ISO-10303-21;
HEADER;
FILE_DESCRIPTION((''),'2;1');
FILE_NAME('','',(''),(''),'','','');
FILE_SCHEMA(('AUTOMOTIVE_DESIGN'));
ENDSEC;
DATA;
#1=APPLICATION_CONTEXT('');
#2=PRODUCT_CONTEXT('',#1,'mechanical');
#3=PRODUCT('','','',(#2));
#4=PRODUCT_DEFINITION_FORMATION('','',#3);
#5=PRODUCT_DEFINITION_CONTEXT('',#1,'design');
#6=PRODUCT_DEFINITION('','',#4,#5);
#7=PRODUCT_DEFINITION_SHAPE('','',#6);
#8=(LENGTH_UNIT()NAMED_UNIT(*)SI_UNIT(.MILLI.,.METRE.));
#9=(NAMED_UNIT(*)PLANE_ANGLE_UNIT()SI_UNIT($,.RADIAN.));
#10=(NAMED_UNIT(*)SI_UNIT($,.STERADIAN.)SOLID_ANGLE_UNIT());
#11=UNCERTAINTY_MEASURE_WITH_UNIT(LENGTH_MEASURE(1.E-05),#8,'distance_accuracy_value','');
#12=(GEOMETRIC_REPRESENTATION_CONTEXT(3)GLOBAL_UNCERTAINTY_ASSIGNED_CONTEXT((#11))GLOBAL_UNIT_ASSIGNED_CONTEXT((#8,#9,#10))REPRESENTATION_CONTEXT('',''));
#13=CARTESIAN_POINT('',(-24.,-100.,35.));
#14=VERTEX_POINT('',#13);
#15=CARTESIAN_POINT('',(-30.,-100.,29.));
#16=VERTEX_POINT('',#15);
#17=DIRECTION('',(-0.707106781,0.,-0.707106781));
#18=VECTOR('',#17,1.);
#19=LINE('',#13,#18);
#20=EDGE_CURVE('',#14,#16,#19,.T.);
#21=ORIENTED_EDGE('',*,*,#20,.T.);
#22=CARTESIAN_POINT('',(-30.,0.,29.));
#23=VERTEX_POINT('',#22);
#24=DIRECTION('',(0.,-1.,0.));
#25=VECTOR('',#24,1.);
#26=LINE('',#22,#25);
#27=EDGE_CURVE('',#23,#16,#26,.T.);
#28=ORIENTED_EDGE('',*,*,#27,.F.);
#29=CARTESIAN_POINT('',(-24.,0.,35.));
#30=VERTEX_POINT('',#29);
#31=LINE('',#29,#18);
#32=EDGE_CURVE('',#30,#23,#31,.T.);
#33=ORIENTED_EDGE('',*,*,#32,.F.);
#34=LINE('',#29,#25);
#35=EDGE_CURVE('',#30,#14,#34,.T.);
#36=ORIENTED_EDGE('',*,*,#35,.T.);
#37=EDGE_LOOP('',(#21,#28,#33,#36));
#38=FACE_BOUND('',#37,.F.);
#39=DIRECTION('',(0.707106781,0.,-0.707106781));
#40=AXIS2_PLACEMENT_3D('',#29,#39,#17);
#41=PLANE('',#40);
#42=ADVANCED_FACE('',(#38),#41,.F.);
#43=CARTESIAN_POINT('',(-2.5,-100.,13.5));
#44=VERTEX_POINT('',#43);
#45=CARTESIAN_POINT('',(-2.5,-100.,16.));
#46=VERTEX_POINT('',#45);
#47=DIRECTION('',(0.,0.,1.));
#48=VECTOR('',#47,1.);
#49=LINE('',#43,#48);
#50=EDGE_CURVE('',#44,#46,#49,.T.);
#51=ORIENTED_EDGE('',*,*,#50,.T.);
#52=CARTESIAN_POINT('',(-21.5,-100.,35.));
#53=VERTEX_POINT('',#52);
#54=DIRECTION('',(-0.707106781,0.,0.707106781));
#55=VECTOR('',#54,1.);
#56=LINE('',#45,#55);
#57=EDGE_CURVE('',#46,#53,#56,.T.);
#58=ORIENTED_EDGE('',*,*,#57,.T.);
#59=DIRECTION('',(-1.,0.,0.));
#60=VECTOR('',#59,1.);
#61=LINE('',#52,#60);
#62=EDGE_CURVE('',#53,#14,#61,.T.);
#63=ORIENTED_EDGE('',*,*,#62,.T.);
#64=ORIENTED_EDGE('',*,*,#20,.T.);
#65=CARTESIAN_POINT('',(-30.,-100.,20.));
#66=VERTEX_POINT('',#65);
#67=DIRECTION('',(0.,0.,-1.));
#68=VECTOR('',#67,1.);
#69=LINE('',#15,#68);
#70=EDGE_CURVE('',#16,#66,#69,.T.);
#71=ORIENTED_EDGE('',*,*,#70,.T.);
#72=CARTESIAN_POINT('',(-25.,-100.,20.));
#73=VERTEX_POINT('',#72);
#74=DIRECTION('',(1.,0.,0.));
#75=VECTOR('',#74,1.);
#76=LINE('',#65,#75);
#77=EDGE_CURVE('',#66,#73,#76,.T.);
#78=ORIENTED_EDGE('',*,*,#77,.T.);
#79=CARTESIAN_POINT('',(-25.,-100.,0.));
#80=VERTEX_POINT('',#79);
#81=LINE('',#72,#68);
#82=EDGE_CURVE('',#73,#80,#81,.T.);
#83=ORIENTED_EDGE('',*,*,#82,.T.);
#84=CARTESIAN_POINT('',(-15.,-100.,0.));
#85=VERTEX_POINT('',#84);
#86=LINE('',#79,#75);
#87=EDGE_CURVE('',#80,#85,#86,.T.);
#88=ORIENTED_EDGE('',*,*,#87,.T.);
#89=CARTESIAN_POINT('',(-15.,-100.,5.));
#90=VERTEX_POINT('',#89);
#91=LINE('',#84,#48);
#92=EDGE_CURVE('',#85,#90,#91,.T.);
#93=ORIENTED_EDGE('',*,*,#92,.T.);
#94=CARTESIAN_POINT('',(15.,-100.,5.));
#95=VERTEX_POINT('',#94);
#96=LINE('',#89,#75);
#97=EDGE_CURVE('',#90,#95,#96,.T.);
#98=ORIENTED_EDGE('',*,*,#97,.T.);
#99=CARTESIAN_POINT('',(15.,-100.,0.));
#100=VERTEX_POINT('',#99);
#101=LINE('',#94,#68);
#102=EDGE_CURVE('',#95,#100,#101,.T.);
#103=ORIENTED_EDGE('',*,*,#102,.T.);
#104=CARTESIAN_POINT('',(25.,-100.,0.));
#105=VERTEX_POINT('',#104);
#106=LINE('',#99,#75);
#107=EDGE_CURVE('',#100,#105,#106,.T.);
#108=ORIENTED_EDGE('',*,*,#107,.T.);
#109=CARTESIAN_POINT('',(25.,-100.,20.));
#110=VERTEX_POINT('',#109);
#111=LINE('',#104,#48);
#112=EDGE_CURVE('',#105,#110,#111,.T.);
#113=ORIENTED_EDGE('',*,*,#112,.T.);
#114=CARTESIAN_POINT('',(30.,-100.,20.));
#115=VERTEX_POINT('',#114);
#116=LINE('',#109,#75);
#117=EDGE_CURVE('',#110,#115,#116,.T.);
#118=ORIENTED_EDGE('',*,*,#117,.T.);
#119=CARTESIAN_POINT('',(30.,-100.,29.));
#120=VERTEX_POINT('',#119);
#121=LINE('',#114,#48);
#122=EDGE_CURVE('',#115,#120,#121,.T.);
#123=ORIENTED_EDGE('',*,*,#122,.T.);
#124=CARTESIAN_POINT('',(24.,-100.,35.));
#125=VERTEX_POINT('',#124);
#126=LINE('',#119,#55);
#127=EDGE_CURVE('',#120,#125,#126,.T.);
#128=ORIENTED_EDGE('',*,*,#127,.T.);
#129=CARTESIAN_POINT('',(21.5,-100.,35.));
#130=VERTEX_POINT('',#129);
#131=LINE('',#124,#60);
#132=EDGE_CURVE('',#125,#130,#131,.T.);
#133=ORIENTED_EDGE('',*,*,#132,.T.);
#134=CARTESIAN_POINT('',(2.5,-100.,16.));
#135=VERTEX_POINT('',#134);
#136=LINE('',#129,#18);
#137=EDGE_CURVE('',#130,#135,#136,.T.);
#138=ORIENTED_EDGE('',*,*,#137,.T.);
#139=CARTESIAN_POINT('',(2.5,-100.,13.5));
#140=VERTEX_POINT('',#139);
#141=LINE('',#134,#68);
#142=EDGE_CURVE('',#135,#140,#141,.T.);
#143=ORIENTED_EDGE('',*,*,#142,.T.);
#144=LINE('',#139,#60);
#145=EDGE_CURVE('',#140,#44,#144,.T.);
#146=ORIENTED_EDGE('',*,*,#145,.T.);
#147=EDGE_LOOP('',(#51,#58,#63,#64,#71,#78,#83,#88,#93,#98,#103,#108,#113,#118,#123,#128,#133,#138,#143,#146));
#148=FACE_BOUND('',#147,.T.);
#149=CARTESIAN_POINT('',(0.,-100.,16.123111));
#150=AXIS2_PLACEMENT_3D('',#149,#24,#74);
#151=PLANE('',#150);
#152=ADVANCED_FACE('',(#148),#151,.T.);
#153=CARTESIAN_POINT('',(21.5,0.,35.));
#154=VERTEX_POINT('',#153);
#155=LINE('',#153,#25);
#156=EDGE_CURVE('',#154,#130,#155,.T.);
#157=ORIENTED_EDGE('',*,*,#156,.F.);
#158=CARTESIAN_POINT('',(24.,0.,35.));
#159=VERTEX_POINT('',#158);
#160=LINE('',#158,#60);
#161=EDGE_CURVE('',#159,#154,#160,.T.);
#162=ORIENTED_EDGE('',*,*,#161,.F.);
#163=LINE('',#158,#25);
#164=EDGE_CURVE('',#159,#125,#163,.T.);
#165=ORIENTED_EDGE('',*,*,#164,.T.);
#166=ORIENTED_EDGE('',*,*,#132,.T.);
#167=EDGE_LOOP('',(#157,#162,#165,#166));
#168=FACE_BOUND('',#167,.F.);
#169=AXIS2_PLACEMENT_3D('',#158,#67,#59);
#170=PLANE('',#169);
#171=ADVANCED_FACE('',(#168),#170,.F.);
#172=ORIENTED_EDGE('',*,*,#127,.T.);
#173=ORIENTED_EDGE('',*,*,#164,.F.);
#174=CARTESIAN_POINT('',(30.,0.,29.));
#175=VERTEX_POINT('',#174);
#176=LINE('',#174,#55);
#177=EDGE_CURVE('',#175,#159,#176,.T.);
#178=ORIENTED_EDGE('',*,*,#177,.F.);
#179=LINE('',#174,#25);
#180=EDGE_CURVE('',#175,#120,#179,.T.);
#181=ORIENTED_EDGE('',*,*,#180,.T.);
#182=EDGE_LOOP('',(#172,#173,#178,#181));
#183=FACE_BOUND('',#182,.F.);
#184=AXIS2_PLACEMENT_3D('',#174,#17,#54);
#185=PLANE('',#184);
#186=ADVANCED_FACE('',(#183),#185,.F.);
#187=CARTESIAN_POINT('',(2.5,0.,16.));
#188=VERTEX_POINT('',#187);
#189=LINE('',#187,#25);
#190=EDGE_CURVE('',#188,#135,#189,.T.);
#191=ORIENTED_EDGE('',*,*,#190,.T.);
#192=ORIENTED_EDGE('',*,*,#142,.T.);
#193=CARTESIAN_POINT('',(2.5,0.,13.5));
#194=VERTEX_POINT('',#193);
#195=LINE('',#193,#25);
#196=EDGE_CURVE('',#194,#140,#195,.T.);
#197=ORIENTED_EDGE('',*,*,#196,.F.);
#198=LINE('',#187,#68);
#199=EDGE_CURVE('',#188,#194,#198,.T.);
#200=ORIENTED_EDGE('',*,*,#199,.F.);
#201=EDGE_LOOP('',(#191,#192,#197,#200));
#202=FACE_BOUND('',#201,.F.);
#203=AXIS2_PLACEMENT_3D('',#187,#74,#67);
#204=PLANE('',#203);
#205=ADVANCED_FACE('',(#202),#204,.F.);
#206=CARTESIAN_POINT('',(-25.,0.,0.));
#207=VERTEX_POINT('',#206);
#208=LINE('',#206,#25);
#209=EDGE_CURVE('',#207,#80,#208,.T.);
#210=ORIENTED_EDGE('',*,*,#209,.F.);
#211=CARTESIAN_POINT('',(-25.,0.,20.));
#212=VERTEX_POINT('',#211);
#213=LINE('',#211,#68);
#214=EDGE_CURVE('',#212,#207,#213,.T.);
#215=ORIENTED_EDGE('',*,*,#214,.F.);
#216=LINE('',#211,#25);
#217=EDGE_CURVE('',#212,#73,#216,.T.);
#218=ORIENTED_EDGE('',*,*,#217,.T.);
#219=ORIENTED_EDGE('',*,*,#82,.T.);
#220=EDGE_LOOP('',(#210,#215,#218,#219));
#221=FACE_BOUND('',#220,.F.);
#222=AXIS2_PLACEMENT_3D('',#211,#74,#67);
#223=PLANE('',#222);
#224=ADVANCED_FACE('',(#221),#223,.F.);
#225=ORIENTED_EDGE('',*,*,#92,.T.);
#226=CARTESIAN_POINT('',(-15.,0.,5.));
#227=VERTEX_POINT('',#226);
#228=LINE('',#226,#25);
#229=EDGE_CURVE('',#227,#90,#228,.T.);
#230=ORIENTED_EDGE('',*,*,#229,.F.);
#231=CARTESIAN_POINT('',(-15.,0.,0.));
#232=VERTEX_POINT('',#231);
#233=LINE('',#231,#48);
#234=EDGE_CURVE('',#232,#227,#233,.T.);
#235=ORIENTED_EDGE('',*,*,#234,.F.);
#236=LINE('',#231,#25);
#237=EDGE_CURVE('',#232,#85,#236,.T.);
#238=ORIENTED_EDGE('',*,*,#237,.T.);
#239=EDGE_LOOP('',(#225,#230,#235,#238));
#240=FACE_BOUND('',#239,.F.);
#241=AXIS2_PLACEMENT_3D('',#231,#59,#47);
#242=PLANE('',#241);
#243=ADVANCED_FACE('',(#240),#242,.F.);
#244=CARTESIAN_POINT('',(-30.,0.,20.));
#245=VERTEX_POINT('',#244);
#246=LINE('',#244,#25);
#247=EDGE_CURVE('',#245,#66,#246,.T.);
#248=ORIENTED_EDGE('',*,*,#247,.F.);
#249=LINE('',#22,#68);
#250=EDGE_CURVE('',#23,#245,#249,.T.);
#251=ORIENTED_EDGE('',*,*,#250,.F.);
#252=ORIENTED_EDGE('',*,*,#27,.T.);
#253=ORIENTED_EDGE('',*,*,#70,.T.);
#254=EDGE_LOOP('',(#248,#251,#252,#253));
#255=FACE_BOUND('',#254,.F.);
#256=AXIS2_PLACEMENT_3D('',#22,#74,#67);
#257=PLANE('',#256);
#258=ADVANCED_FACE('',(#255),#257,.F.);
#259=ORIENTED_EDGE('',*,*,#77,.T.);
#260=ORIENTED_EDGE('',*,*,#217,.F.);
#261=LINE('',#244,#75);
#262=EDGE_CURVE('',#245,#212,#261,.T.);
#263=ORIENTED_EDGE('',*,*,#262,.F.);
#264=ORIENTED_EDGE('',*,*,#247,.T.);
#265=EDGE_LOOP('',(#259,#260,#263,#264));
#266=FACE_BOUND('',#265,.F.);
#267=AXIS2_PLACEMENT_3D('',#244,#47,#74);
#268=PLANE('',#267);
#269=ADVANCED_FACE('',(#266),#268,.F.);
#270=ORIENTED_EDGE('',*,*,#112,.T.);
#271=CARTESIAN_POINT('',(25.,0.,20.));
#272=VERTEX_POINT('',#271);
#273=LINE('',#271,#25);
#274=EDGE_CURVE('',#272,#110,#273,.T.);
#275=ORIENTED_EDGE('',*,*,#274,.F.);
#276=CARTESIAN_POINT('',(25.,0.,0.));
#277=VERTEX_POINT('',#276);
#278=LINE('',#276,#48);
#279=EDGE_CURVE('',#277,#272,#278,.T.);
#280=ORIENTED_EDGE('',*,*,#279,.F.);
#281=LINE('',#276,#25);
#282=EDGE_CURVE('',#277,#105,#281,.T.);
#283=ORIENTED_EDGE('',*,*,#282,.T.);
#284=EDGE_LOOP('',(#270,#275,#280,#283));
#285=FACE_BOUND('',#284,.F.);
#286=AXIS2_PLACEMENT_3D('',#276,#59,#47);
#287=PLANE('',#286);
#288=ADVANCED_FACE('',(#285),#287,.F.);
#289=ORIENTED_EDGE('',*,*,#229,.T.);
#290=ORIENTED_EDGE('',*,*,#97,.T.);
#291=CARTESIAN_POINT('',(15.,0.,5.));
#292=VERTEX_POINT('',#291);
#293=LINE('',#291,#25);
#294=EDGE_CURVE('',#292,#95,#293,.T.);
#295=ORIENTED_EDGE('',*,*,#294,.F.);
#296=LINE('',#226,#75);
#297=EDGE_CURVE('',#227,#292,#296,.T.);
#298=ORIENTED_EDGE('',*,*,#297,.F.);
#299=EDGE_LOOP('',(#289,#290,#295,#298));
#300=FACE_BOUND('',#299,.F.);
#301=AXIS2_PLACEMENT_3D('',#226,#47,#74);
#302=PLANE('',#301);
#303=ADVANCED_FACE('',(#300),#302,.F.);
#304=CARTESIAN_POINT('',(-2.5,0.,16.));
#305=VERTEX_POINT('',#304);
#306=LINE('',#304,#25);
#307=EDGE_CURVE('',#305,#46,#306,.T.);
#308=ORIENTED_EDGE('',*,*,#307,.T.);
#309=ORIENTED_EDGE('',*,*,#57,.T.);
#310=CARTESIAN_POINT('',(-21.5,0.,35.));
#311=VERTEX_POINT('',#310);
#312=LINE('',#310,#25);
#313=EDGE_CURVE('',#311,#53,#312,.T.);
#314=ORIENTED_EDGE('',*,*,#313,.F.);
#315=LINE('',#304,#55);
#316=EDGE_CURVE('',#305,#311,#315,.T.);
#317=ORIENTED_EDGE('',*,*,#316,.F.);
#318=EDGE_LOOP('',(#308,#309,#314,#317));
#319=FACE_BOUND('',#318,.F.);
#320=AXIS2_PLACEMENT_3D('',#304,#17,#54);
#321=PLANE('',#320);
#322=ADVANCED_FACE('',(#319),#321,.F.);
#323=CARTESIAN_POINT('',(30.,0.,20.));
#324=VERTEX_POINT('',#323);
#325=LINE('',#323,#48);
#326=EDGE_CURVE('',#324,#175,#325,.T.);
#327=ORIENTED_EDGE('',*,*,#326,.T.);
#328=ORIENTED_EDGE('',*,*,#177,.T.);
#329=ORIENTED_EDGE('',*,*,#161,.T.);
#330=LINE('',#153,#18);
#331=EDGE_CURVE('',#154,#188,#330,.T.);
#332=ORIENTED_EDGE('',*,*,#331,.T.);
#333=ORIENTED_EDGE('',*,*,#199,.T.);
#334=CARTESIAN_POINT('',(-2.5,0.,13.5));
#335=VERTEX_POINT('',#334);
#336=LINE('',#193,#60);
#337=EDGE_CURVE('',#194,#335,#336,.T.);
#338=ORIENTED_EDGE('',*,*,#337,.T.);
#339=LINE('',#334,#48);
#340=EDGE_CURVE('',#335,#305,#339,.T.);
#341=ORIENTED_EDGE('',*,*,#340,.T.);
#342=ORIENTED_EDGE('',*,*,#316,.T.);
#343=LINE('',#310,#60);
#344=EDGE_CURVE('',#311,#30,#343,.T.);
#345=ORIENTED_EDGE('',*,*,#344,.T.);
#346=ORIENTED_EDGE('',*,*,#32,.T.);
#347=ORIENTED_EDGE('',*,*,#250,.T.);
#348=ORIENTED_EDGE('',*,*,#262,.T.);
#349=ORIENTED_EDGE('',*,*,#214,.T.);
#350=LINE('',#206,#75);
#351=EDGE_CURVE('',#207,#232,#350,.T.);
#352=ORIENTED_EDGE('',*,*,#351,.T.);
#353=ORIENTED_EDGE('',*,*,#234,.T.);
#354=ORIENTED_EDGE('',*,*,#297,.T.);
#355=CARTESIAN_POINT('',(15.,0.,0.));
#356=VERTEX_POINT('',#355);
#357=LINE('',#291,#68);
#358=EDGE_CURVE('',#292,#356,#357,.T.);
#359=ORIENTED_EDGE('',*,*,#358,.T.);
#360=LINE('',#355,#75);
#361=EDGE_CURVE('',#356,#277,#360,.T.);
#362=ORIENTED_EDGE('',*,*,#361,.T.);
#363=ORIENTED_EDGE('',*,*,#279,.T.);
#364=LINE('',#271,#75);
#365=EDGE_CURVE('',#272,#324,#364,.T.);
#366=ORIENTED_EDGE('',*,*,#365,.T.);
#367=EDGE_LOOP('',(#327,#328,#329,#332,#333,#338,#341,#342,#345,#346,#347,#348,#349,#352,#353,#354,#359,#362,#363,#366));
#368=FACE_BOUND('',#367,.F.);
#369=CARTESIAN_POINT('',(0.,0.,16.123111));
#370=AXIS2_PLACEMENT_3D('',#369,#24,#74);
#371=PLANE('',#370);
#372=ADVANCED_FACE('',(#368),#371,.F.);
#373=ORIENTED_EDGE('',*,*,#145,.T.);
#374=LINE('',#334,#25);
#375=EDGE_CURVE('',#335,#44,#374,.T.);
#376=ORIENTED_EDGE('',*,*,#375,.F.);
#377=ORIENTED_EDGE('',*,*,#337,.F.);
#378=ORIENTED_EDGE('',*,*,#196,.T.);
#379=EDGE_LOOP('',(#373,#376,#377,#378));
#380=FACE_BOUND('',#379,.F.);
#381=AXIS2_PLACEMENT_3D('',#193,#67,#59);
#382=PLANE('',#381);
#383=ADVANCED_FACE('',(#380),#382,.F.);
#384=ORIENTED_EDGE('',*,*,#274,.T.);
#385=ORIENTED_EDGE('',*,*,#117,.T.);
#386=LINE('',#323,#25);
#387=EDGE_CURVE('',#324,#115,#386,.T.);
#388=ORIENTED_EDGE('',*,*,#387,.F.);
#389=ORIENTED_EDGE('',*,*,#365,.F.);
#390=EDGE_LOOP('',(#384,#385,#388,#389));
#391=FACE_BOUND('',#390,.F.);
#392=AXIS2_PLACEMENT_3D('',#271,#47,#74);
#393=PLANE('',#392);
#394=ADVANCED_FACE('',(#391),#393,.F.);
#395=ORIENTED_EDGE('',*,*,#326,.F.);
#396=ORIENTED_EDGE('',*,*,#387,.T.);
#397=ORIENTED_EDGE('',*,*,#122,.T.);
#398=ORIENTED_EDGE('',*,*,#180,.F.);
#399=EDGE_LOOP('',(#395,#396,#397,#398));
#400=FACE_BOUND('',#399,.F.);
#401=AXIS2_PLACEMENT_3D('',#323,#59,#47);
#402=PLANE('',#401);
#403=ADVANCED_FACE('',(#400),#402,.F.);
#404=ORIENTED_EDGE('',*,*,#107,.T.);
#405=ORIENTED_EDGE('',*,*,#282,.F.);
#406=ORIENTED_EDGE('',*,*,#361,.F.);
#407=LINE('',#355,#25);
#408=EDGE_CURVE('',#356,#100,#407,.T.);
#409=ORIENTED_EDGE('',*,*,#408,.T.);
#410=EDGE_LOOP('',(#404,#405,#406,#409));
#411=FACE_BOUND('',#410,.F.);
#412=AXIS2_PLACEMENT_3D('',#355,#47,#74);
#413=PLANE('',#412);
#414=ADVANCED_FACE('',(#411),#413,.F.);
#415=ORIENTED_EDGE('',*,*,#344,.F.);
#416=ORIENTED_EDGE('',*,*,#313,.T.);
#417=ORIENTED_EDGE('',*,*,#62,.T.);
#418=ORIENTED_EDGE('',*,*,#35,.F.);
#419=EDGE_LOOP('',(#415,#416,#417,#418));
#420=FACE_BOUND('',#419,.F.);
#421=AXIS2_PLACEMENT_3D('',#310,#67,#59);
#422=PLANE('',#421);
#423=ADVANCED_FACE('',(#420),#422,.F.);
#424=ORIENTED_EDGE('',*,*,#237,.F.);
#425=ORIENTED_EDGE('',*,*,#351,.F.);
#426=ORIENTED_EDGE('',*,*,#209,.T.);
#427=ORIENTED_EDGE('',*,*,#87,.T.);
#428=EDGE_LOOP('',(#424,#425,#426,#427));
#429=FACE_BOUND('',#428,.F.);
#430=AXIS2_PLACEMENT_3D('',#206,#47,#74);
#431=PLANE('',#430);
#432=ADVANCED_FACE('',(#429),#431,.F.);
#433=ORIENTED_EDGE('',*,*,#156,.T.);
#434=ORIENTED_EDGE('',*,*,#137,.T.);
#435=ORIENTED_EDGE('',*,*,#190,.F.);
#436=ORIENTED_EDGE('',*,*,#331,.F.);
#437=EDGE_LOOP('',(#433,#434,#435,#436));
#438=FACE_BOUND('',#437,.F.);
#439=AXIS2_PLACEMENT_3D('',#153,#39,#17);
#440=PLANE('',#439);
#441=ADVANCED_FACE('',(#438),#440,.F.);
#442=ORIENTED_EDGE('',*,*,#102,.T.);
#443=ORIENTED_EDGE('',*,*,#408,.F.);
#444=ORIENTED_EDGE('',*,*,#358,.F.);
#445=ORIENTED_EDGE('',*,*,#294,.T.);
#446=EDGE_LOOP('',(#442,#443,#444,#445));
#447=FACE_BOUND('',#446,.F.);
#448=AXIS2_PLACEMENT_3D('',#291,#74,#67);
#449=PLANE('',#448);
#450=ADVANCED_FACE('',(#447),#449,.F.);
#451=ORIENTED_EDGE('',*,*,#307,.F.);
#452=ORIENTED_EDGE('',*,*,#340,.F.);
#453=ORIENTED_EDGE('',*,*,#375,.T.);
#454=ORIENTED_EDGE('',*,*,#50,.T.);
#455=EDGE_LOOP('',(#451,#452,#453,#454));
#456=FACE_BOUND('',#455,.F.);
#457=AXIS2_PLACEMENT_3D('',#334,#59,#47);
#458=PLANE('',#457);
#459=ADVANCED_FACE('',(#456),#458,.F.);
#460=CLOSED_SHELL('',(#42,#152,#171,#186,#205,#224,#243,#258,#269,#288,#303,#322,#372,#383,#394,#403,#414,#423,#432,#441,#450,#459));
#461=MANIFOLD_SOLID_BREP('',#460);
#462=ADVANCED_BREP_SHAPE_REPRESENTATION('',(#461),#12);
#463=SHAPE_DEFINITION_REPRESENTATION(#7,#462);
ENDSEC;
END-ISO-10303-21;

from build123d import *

# Parameters (mm, degrees)
F1_DEPTH = 100


with BuildPart() as f1:
    # F0 (on Front) → F1 (new body)
    with BuildSketch(Plane.XZ):
        Polygon((2.5, 13.5), (0, 13.5), (-2.5, 13.5), (-2.5, 16), (-21.5, 35), (-24, 35), (-30, 29), (-30, 20), (-25, 20), (-25, 0), (-15, 0), (-15, 5), (0, 5), (15, 5), (15, 0), (25, 0), (25, 20), (30, 20), (30, 29), (24, 35), (21.5, 35), (2.5, 16), align=None)
    extrude(amount=F1_DEPTH)


solid = f1.part
